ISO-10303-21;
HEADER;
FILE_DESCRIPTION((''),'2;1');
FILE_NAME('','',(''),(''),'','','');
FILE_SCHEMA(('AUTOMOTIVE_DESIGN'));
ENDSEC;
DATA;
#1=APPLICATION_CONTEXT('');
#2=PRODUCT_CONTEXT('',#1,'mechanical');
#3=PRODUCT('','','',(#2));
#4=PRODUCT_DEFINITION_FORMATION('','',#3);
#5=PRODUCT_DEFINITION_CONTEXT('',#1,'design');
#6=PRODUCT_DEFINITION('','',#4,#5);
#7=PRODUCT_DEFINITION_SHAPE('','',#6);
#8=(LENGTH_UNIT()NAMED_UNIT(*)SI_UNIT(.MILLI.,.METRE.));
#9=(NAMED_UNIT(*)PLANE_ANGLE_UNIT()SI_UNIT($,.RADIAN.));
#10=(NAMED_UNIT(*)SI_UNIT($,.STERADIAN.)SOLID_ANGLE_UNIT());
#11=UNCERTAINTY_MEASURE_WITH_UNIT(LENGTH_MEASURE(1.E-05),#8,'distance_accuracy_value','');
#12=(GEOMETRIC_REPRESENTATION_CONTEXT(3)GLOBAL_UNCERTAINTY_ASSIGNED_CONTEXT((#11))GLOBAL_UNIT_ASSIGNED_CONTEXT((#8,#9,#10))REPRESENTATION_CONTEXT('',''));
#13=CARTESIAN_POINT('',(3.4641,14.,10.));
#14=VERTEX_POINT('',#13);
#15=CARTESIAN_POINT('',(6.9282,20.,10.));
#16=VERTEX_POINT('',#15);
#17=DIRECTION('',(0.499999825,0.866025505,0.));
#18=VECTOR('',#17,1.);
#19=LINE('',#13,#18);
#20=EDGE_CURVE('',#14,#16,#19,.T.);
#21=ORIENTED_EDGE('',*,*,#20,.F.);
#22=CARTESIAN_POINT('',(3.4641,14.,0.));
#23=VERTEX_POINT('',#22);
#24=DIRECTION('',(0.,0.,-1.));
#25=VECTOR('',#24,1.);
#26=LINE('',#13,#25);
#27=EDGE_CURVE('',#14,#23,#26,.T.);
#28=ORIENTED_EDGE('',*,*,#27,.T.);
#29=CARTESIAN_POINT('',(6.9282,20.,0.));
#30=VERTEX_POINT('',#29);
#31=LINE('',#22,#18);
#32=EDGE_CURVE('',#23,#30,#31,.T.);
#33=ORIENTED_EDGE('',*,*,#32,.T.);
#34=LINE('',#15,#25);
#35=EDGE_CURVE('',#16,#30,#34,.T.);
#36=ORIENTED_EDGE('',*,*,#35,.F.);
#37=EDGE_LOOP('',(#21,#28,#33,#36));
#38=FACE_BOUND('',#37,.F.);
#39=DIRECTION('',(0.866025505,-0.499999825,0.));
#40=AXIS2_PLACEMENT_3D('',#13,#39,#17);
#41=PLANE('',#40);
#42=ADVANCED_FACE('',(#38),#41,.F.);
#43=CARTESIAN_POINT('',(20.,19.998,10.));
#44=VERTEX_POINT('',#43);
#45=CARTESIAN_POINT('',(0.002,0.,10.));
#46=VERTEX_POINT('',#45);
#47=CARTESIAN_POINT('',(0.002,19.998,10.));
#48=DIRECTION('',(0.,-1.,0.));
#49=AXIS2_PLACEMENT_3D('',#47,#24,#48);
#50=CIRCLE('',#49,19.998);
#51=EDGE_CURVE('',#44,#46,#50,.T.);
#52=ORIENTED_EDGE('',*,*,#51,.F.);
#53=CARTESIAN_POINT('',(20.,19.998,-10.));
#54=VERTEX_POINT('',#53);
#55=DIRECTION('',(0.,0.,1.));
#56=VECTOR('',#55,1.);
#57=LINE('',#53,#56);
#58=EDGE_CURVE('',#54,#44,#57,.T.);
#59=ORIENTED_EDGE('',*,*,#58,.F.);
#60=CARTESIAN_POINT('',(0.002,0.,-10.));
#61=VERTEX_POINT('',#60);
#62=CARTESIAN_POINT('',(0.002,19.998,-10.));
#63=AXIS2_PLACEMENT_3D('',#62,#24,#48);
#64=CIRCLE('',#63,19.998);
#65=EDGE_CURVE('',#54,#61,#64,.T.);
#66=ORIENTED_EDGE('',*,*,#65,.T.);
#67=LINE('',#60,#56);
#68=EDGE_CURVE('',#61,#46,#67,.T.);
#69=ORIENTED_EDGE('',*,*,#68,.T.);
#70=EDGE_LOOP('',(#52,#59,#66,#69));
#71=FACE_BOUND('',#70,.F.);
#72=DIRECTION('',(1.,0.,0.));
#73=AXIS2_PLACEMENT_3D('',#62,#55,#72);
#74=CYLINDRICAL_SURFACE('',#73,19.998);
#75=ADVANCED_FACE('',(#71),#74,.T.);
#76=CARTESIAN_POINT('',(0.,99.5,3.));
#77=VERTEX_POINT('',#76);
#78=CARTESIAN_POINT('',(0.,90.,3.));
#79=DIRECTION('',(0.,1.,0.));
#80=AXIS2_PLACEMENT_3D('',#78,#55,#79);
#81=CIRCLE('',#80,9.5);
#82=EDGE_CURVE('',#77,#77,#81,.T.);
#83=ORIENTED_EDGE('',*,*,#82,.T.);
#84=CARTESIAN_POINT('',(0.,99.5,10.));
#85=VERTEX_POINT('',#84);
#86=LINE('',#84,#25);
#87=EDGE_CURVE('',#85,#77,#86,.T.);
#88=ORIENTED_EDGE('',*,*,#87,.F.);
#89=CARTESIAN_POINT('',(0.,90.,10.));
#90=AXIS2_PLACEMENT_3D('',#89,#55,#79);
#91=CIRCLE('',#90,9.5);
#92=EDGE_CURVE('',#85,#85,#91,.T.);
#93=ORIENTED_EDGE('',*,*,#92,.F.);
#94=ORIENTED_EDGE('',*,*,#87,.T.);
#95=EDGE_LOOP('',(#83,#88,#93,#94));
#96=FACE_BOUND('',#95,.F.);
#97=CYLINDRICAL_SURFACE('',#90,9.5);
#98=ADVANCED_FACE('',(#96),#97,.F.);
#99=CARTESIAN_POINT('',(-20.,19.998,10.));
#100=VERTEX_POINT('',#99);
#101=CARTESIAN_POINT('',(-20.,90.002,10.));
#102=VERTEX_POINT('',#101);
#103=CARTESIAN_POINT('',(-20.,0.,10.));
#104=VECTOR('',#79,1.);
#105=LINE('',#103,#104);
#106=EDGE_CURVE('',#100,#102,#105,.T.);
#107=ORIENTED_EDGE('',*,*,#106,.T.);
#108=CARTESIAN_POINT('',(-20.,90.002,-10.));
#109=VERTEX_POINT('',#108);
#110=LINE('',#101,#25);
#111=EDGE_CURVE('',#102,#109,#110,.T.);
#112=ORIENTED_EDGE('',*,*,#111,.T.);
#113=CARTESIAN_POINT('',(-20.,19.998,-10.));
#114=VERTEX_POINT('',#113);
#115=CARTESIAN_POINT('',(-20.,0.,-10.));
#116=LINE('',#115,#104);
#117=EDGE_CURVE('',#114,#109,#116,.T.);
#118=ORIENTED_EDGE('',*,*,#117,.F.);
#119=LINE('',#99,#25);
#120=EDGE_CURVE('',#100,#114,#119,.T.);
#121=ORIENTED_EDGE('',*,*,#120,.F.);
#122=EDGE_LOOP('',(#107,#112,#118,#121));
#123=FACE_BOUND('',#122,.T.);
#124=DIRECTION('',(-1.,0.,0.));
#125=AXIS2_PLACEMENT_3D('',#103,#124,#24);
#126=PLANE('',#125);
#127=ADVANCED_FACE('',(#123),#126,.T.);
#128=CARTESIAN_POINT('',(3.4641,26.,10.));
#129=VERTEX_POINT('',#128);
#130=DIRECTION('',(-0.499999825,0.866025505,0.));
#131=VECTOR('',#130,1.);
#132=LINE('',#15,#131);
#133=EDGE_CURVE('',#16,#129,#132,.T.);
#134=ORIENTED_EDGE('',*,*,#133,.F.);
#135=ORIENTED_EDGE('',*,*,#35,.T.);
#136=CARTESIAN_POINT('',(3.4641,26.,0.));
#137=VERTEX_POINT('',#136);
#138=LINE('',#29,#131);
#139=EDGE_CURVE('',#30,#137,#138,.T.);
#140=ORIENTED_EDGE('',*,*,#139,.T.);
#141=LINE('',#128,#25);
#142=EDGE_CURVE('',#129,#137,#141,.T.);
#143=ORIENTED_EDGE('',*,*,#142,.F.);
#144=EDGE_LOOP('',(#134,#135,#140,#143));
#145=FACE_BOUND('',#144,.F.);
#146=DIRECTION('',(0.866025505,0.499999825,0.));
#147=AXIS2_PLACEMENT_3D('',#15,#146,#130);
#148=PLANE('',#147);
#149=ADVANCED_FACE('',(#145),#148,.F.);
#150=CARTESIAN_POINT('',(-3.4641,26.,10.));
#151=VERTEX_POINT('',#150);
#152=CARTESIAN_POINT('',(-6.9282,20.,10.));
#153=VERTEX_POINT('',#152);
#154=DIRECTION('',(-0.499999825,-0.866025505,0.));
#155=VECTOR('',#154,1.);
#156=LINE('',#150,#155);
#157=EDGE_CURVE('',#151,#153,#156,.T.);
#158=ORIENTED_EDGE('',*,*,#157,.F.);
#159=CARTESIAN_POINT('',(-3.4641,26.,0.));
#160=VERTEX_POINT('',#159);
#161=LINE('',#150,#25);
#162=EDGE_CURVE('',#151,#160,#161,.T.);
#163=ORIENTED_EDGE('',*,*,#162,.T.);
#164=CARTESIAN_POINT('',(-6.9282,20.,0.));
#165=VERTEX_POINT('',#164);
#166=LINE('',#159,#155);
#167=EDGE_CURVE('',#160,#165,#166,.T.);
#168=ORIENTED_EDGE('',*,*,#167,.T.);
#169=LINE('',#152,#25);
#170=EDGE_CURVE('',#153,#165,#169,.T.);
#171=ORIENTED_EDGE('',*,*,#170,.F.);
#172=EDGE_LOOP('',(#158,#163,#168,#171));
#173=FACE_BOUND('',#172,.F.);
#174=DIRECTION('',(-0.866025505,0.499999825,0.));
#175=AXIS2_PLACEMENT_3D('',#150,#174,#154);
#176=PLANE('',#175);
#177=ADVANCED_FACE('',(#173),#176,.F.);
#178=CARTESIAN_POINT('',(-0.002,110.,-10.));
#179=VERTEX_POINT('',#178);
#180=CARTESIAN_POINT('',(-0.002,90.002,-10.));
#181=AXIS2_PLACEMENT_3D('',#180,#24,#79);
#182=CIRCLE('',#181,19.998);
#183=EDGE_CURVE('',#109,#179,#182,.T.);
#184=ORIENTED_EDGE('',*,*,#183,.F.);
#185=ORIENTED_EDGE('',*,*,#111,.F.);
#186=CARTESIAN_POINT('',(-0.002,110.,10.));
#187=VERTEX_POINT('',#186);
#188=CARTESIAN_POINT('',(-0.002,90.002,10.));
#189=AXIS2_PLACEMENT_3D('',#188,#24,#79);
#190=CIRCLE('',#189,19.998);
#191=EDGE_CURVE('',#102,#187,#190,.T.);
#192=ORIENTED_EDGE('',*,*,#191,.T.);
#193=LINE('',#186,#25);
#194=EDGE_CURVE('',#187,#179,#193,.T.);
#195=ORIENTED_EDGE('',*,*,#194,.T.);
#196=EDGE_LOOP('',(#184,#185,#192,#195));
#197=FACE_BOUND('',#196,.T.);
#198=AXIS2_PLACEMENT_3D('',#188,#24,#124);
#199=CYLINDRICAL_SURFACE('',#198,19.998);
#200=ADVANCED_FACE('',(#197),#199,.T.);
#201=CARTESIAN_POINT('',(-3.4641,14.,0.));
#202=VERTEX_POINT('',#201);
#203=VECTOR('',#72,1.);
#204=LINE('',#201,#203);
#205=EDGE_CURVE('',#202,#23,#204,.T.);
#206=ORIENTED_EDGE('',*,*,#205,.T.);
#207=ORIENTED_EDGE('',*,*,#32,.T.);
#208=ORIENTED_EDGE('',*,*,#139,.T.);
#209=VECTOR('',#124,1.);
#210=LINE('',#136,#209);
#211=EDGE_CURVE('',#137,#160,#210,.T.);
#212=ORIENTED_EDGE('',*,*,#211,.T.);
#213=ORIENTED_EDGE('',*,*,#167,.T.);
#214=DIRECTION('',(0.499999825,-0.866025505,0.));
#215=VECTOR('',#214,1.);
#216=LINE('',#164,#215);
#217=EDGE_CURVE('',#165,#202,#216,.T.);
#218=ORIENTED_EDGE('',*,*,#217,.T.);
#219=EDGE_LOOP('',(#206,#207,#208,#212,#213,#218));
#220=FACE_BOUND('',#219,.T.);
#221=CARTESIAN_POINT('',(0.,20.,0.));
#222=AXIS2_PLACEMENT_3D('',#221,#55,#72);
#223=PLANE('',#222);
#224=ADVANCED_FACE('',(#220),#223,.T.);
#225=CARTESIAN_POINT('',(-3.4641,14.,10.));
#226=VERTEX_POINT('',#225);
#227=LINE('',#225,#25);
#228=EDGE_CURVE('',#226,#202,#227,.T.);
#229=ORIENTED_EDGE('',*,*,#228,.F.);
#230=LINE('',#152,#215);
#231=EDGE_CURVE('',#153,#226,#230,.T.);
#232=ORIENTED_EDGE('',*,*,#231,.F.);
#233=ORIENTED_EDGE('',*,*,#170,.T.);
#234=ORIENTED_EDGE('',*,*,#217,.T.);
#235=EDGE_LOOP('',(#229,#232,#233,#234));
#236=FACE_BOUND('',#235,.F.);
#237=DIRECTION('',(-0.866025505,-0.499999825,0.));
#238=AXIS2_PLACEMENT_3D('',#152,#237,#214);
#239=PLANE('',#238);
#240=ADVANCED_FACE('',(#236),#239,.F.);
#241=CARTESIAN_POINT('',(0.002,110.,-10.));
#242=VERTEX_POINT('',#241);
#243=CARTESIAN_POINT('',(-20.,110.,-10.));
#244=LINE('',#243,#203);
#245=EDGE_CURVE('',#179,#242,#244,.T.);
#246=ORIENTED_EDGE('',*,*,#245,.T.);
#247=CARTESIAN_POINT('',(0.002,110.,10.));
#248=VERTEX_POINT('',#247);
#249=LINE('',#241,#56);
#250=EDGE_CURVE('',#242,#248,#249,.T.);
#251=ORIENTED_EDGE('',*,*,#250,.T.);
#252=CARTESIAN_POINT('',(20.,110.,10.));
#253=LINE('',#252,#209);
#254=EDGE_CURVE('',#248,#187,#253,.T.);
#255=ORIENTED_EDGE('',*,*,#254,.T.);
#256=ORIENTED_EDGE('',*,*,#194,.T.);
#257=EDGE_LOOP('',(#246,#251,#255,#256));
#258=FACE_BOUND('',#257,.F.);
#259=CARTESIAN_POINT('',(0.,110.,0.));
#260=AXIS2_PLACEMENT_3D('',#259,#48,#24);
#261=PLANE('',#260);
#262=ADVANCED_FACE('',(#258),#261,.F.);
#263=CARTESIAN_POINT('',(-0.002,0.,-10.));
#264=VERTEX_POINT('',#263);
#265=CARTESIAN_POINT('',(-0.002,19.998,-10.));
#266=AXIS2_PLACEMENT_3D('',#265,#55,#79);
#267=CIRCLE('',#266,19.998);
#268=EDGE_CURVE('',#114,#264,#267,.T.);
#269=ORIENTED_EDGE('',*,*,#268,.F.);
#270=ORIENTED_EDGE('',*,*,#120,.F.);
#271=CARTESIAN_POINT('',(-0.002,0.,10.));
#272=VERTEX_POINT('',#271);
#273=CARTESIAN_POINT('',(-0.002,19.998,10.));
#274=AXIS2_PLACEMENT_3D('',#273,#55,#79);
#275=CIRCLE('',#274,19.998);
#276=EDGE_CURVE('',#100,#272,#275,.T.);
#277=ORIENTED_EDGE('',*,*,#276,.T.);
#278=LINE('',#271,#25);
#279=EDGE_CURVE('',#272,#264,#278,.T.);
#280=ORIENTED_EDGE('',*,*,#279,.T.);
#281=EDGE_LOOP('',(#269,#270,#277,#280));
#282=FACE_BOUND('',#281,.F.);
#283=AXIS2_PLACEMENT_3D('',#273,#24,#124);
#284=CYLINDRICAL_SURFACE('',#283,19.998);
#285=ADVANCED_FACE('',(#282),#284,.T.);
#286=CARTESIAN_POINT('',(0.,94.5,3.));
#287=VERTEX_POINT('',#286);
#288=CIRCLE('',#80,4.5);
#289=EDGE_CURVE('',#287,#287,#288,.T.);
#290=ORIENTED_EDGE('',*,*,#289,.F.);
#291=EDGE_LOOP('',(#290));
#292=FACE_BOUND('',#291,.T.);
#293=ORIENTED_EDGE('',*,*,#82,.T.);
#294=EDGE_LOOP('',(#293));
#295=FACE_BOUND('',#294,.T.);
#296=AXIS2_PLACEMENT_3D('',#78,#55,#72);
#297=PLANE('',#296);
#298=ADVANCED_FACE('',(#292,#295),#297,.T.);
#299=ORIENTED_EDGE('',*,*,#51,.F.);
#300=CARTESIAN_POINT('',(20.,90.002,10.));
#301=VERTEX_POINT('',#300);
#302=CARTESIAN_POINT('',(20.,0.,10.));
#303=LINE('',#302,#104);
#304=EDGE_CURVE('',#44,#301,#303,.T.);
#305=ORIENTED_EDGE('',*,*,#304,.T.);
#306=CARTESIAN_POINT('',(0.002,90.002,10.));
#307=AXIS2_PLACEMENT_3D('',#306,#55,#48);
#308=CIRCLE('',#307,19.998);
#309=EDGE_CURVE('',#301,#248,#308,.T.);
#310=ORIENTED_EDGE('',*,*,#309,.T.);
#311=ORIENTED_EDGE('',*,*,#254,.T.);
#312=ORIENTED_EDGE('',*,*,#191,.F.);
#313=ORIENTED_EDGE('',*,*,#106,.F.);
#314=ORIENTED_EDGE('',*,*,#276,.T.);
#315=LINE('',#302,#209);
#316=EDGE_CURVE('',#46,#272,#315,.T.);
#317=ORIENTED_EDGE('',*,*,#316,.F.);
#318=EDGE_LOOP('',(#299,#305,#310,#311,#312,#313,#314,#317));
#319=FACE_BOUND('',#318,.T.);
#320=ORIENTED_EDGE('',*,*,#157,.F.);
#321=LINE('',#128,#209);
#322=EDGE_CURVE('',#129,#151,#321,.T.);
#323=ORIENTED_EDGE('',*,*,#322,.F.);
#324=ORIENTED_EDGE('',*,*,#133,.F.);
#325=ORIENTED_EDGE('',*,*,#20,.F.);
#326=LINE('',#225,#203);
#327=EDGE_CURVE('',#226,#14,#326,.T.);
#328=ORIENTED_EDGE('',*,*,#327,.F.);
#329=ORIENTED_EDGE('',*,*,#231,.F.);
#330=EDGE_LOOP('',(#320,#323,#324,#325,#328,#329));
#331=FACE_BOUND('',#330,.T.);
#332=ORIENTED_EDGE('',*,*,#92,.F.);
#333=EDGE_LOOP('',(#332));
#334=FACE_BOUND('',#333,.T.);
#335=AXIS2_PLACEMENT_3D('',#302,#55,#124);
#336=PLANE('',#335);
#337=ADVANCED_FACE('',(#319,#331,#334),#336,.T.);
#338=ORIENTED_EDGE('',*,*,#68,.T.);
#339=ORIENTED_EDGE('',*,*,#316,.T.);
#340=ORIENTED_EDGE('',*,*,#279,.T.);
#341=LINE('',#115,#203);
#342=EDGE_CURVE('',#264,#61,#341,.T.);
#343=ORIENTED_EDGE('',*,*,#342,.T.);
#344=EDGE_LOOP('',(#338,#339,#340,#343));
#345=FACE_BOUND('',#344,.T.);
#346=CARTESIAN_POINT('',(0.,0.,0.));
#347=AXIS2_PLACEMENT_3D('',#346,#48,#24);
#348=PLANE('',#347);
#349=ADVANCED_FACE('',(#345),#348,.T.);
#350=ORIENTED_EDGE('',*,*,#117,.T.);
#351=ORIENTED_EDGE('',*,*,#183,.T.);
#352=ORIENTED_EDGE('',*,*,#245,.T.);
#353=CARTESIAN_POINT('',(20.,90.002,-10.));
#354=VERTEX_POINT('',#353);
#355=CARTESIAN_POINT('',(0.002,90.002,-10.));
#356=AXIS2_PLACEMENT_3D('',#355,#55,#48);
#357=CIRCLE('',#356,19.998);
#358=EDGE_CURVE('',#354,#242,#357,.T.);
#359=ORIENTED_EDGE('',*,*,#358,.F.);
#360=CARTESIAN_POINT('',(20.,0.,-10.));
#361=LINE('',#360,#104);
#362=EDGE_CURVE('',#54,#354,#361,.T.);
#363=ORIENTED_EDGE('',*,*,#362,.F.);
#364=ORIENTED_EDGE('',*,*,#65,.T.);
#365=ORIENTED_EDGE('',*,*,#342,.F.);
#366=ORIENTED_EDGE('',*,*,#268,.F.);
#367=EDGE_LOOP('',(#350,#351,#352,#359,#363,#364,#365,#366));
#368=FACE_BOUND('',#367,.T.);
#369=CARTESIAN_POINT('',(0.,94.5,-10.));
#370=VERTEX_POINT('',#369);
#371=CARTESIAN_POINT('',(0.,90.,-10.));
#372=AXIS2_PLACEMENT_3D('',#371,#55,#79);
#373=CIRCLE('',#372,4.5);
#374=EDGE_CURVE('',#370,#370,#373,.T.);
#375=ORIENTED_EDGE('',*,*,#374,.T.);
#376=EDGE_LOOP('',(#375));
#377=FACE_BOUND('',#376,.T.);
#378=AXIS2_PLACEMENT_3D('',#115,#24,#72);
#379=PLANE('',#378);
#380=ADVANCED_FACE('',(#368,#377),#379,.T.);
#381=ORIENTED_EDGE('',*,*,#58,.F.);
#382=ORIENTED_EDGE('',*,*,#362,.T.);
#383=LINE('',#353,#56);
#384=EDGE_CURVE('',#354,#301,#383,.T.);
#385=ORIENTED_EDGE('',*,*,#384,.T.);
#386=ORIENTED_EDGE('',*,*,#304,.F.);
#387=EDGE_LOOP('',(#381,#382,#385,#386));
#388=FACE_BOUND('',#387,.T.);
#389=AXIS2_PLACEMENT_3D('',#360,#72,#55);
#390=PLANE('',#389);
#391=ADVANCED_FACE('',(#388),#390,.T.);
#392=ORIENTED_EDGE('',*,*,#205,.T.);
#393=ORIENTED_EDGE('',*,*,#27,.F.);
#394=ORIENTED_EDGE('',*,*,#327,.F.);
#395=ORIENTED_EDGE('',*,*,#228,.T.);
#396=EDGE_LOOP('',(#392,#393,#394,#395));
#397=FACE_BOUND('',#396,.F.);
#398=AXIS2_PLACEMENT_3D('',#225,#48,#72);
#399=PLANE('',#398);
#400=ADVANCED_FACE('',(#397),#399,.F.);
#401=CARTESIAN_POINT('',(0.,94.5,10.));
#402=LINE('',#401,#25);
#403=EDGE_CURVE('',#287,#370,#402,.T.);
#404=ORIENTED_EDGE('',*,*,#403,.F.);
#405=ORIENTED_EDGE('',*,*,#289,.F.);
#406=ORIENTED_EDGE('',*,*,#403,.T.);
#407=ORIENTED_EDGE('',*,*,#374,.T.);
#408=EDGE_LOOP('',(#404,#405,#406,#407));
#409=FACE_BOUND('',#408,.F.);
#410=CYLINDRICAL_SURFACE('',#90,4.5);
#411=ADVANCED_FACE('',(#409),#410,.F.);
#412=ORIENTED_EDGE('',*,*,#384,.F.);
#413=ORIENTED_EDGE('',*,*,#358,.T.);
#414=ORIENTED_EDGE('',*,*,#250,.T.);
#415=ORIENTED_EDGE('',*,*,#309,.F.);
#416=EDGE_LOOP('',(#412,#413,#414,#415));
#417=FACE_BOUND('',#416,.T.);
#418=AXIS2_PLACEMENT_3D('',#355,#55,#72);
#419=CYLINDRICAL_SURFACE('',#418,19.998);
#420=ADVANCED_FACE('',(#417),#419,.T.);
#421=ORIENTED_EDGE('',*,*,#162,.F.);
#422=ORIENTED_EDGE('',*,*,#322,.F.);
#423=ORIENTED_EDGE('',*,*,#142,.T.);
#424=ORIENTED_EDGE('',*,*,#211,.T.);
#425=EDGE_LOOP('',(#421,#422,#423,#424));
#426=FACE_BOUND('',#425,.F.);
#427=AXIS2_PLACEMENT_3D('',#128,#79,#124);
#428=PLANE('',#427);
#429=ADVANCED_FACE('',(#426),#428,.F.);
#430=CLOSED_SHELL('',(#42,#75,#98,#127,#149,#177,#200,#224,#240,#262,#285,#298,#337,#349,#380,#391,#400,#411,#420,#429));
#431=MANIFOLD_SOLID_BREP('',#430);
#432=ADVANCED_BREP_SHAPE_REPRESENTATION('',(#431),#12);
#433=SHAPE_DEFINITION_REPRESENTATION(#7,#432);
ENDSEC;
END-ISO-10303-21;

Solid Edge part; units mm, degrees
sketch "Sketch1" plane through (0, 0, 0) normal (0, -1, 0) x (1, 0, 0)
  line L0 (20, 10) -> (-20, 10)
  line L1 (-20, 10) -> (-20, -10)
  line L2 (-20, -10) -> (20, -10)
  line L3 (20, -10) -> (20, 10)
extrude "Protrusion1" add sketch "Sketch1" against normal blind 110
fillet "Redondeo_2" radius 20 4 edges at (20, 0, 0) (-20, 0, 0) (20, 110, 0) (-20, 110, 0)
sketch "Sketch2" plane through (0, 95, 10) normal (0, 0, 1) x (0, 1, 0)
  line L0 (-75, -6.9282) -> (-69, -3.4641)
  line L1 (-69, -3.4641) -> (-69, 3.4641)
  line L2 (-69, 3.4641) -> (-75, 6.9282)
  line L3 (-75, 6.9282) -> (-81, 3.4641)
  line L4 (-81, 3.4641) -> (-81, -3.4641)
  line L5 (-81, -3.4641) -> (-75, -6.9282)
extrude "VaciadoExtruido_16" cut sketch "Sketch2" against normal blind 10
sketch "Sketch3" plane through (0, 95, 10) normal (0, 0, 1) x (0, 1, 0)
  circle A0 centre (-5, 0) radius 4.5
extrude "VaciadoExtruido_17" cut sketch "Sketch3" against normal blind 52.6544
sketch "Sketch4" plane through (0, 95, 10) normal (0, 0, 1) x (0, 1, 0)
  circle A0 centre (-5, 0) radius 9.5
extrude "VaciadoExtruido_18" cut sketch "Sketch4" against normal blind 7
